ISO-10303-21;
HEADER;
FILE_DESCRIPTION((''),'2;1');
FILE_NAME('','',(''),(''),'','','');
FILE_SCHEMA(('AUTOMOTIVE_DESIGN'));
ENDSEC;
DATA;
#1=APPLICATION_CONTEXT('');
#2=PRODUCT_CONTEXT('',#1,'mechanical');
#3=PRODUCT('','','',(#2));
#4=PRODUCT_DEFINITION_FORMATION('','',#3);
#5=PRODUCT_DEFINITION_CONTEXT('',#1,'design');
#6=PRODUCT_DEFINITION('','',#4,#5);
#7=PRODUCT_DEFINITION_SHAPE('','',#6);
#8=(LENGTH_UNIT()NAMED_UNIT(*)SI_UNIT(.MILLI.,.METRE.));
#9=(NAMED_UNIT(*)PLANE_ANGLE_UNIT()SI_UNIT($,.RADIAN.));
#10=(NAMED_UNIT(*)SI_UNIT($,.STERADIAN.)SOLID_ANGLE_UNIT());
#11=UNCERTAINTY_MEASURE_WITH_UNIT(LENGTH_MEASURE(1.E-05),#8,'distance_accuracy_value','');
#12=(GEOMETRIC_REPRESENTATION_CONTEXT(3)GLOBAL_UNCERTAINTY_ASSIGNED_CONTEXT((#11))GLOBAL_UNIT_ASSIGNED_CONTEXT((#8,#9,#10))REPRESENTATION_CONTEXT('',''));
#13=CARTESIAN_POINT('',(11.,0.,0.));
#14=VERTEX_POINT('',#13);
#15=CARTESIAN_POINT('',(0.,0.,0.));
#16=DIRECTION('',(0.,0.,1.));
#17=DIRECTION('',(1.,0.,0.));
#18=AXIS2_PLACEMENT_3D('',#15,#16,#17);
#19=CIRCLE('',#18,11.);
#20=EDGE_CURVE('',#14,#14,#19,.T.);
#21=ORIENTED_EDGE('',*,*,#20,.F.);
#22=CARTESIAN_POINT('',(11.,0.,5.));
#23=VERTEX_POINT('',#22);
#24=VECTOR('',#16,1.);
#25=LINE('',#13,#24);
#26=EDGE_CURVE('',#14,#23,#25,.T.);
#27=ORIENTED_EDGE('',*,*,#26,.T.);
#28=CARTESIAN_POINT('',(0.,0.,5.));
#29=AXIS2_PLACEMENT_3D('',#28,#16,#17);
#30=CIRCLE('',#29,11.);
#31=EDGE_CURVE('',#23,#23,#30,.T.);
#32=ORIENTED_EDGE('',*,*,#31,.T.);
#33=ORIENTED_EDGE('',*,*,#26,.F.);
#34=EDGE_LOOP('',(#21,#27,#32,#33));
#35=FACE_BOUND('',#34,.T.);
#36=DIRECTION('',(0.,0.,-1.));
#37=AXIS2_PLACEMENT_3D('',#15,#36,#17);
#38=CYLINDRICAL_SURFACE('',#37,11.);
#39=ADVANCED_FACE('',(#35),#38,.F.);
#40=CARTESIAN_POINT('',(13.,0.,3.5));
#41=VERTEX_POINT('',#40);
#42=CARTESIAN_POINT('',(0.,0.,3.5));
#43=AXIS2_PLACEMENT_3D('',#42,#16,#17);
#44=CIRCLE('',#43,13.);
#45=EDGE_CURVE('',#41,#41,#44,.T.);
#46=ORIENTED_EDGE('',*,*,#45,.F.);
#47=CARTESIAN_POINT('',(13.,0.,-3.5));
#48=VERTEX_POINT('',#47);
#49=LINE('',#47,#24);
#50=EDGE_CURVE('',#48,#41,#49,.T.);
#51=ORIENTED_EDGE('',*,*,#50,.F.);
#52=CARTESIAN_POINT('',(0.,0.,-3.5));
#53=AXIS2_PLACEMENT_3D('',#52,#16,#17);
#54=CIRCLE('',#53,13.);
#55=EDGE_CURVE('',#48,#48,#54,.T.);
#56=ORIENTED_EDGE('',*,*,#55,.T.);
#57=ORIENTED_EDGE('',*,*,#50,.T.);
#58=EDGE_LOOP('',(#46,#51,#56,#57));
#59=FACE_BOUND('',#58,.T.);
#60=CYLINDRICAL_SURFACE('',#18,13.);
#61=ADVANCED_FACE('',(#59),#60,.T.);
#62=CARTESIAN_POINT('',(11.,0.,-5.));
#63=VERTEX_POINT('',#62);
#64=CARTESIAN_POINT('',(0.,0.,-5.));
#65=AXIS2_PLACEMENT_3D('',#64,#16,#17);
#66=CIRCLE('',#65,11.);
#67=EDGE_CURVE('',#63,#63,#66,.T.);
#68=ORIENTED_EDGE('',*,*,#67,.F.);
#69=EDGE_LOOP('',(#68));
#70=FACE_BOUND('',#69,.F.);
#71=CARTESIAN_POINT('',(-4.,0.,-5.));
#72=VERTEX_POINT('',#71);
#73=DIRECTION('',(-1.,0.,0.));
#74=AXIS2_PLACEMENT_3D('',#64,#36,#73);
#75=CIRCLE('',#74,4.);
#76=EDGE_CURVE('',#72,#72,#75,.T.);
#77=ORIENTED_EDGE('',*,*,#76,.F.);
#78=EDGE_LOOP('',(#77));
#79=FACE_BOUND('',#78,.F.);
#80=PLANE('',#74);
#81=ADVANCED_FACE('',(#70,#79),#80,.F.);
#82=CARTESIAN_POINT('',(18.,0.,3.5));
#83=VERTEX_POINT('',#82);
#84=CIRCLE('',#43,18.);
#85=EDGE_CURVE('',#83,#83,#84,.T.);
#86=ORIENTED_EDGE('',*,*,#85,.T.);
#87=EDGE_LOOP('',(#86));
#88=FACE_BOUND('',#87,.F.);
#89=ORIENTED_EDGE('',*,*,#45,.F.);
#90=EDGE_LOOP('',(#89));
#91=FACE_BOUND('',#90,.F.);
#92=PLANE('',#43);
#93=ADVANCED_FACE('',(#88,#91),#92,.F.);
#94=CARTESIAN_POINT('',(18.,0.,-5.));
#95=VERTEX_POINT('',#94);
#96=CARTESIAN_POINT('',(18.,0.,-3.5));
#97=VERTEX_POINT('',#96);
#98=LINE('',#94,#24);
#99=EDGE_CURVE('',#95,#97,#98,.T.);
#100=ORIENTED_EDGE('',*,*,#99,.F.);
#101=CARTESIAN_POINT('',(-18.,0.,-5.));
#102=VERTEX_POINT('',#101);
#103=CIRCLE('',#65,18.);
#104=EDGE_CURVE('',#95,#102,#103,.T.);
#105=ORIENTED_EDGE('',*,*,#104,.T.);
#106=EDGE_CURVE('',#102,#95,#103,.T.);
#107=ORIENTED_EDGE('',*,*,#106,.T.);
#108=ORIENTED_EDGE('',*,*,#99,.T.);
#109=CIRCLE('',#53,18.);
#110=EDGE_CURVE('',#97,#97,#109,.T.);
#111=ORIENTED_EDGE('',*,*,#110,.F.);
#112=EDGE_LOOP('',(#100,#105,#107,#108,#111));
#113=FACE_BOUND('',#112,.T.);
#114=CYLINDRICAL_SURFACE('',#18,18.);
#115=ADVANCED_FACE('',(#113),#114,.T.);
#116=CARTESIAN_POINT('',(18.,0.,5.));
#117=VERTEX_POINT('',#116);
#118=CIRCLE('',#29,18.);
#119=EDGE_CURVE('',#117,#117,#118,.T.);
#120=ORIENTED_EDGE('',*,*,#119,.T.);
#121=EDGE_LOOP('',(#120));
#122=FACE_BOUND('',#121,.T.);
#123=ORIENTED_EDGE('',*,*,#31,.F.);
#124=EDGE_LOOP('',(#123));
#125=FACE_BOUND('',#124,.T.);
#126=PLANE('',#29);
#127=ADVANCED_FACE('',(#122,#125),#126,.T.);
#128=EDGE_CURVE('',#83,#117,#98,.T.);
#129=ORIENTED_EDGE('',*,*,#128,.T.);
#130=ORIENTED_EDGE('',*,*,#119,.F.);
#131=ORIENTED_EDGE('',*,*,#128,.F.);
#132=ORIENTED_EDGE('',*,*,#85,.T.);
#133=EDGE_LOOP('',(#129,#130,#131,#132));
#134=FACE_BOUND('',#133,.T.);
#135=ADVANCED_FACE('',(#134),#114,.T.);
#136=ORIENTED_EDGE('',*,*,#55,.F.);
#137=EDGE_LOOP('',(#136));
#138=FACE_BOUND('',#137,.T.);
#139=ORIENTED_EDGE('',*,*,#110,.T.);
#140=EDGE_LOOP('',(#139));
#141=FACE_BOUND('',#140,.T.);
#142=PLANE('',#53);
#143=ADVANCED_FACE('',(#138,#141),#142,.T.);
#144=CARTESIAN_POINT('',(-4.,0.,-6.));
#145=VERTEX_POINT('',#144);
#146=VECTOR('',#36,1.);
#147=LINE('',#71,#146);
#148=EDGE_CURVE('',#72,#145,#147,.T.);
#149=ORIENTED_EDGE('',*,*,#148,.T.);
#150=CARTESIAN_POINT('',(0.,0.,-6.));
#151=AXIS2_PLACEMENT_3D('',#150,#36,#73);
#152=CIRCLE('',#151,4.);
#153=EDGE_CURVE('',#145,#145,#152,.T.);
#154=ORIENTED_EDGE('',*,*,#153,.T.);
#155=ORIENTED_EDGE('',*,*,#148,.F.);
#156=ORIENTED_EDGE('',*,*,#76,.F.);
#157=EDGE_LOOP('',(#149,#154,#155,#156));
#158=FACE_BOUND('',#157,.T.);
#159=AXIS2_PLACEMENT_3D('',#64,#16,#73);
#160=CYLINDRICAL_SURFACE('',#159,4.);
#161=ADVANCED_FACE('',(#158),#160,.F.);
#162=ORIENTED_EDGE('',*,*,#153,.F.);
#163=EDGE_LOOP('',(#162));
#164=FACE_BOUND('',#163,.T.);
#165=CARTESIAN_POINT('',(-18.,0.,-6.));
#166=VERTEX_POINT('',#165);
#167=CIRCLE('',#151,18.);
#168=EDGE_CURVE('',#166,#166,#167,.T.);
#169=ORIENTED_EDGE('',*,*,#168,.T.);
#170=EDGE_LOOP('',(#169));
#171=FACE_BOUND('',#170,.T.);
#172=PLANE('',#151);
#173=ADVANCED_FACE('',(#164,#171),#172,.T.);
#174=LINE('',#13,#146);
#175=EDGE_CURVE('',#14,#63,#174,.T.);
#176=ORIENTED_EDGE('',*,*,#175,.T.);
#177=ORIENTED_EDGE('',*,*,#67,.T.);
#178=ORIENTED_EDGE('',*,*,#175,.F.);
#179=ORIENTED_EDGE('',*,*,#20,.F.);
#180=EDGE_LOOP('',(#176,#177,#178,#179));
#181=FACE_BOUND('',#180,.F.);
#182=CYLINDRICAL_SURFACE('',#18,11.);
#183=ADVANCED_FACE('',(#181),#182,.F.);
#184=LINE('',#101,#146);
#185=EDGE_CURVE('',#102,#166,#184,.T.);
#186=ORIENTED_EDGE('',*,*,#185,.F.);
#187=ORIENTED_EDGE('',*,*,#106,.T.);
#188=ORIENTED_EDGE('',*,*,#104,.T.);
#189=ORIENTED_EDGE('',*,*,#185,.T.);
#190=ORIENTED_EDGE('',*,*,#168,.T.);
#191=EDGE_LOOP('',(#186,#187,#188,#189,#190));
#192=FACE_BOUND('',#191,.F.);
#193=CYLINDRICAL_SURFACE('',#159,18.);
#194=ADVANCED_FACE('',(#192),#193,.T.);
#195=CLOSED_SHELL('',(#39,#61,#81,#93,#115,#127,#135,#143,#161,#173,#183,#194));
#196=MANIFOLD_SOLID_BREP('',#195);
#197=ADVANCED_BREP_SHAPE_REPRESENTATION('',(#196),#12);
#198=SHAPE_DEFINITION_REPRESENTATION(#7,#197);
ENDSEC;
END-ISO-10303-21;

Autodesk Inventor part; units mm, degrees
ref_plane "YZ Plane" through (0, 0, 0) normal (1, 0, 0) x (0, 1, 0)
ref_plane "XZ Plane" through (0, 0, 0) normal (0, 1, 0) x (-1, 0, 0)
ref_plane "XY Plane" through (0, 0, 0) normal (0, 0, 1) x (1, 0, 0)
sketch "Sketch1" plane through (0, 0, 0) normal (0, 0, 1) x (1, 0, 0)
  circle A0 centre (0, 0) radius 11
  circle A1 centre (0, 0) radius 18
  circle A2 centre (0, 0) radius 13
  dimension "d0" = 22
  dimension "d2" = 2
  dimension "d3" = 5
extrude "Extrusion1" add sketch "Sketch1" along normal mid plane 10 contours A1 | A2
extrude "Extrusion2" cut sketch "Sketch1" along normal mid plane 7 contours A1
sketch "Sketch2" plane through (0, 0, -5) normal (0, 0, -1) x (-1, 0, 0)
  circle A0 centre (0, 0) radius 4
  circle A1 centre (0, 0) radius 18 projected
  dimension "d8" = 8
extrude "Extrusion3" add sketch "Sketch2" along normal blind 1
properties part number "Belt Tensioner" material "PC/ABS Plastic"
